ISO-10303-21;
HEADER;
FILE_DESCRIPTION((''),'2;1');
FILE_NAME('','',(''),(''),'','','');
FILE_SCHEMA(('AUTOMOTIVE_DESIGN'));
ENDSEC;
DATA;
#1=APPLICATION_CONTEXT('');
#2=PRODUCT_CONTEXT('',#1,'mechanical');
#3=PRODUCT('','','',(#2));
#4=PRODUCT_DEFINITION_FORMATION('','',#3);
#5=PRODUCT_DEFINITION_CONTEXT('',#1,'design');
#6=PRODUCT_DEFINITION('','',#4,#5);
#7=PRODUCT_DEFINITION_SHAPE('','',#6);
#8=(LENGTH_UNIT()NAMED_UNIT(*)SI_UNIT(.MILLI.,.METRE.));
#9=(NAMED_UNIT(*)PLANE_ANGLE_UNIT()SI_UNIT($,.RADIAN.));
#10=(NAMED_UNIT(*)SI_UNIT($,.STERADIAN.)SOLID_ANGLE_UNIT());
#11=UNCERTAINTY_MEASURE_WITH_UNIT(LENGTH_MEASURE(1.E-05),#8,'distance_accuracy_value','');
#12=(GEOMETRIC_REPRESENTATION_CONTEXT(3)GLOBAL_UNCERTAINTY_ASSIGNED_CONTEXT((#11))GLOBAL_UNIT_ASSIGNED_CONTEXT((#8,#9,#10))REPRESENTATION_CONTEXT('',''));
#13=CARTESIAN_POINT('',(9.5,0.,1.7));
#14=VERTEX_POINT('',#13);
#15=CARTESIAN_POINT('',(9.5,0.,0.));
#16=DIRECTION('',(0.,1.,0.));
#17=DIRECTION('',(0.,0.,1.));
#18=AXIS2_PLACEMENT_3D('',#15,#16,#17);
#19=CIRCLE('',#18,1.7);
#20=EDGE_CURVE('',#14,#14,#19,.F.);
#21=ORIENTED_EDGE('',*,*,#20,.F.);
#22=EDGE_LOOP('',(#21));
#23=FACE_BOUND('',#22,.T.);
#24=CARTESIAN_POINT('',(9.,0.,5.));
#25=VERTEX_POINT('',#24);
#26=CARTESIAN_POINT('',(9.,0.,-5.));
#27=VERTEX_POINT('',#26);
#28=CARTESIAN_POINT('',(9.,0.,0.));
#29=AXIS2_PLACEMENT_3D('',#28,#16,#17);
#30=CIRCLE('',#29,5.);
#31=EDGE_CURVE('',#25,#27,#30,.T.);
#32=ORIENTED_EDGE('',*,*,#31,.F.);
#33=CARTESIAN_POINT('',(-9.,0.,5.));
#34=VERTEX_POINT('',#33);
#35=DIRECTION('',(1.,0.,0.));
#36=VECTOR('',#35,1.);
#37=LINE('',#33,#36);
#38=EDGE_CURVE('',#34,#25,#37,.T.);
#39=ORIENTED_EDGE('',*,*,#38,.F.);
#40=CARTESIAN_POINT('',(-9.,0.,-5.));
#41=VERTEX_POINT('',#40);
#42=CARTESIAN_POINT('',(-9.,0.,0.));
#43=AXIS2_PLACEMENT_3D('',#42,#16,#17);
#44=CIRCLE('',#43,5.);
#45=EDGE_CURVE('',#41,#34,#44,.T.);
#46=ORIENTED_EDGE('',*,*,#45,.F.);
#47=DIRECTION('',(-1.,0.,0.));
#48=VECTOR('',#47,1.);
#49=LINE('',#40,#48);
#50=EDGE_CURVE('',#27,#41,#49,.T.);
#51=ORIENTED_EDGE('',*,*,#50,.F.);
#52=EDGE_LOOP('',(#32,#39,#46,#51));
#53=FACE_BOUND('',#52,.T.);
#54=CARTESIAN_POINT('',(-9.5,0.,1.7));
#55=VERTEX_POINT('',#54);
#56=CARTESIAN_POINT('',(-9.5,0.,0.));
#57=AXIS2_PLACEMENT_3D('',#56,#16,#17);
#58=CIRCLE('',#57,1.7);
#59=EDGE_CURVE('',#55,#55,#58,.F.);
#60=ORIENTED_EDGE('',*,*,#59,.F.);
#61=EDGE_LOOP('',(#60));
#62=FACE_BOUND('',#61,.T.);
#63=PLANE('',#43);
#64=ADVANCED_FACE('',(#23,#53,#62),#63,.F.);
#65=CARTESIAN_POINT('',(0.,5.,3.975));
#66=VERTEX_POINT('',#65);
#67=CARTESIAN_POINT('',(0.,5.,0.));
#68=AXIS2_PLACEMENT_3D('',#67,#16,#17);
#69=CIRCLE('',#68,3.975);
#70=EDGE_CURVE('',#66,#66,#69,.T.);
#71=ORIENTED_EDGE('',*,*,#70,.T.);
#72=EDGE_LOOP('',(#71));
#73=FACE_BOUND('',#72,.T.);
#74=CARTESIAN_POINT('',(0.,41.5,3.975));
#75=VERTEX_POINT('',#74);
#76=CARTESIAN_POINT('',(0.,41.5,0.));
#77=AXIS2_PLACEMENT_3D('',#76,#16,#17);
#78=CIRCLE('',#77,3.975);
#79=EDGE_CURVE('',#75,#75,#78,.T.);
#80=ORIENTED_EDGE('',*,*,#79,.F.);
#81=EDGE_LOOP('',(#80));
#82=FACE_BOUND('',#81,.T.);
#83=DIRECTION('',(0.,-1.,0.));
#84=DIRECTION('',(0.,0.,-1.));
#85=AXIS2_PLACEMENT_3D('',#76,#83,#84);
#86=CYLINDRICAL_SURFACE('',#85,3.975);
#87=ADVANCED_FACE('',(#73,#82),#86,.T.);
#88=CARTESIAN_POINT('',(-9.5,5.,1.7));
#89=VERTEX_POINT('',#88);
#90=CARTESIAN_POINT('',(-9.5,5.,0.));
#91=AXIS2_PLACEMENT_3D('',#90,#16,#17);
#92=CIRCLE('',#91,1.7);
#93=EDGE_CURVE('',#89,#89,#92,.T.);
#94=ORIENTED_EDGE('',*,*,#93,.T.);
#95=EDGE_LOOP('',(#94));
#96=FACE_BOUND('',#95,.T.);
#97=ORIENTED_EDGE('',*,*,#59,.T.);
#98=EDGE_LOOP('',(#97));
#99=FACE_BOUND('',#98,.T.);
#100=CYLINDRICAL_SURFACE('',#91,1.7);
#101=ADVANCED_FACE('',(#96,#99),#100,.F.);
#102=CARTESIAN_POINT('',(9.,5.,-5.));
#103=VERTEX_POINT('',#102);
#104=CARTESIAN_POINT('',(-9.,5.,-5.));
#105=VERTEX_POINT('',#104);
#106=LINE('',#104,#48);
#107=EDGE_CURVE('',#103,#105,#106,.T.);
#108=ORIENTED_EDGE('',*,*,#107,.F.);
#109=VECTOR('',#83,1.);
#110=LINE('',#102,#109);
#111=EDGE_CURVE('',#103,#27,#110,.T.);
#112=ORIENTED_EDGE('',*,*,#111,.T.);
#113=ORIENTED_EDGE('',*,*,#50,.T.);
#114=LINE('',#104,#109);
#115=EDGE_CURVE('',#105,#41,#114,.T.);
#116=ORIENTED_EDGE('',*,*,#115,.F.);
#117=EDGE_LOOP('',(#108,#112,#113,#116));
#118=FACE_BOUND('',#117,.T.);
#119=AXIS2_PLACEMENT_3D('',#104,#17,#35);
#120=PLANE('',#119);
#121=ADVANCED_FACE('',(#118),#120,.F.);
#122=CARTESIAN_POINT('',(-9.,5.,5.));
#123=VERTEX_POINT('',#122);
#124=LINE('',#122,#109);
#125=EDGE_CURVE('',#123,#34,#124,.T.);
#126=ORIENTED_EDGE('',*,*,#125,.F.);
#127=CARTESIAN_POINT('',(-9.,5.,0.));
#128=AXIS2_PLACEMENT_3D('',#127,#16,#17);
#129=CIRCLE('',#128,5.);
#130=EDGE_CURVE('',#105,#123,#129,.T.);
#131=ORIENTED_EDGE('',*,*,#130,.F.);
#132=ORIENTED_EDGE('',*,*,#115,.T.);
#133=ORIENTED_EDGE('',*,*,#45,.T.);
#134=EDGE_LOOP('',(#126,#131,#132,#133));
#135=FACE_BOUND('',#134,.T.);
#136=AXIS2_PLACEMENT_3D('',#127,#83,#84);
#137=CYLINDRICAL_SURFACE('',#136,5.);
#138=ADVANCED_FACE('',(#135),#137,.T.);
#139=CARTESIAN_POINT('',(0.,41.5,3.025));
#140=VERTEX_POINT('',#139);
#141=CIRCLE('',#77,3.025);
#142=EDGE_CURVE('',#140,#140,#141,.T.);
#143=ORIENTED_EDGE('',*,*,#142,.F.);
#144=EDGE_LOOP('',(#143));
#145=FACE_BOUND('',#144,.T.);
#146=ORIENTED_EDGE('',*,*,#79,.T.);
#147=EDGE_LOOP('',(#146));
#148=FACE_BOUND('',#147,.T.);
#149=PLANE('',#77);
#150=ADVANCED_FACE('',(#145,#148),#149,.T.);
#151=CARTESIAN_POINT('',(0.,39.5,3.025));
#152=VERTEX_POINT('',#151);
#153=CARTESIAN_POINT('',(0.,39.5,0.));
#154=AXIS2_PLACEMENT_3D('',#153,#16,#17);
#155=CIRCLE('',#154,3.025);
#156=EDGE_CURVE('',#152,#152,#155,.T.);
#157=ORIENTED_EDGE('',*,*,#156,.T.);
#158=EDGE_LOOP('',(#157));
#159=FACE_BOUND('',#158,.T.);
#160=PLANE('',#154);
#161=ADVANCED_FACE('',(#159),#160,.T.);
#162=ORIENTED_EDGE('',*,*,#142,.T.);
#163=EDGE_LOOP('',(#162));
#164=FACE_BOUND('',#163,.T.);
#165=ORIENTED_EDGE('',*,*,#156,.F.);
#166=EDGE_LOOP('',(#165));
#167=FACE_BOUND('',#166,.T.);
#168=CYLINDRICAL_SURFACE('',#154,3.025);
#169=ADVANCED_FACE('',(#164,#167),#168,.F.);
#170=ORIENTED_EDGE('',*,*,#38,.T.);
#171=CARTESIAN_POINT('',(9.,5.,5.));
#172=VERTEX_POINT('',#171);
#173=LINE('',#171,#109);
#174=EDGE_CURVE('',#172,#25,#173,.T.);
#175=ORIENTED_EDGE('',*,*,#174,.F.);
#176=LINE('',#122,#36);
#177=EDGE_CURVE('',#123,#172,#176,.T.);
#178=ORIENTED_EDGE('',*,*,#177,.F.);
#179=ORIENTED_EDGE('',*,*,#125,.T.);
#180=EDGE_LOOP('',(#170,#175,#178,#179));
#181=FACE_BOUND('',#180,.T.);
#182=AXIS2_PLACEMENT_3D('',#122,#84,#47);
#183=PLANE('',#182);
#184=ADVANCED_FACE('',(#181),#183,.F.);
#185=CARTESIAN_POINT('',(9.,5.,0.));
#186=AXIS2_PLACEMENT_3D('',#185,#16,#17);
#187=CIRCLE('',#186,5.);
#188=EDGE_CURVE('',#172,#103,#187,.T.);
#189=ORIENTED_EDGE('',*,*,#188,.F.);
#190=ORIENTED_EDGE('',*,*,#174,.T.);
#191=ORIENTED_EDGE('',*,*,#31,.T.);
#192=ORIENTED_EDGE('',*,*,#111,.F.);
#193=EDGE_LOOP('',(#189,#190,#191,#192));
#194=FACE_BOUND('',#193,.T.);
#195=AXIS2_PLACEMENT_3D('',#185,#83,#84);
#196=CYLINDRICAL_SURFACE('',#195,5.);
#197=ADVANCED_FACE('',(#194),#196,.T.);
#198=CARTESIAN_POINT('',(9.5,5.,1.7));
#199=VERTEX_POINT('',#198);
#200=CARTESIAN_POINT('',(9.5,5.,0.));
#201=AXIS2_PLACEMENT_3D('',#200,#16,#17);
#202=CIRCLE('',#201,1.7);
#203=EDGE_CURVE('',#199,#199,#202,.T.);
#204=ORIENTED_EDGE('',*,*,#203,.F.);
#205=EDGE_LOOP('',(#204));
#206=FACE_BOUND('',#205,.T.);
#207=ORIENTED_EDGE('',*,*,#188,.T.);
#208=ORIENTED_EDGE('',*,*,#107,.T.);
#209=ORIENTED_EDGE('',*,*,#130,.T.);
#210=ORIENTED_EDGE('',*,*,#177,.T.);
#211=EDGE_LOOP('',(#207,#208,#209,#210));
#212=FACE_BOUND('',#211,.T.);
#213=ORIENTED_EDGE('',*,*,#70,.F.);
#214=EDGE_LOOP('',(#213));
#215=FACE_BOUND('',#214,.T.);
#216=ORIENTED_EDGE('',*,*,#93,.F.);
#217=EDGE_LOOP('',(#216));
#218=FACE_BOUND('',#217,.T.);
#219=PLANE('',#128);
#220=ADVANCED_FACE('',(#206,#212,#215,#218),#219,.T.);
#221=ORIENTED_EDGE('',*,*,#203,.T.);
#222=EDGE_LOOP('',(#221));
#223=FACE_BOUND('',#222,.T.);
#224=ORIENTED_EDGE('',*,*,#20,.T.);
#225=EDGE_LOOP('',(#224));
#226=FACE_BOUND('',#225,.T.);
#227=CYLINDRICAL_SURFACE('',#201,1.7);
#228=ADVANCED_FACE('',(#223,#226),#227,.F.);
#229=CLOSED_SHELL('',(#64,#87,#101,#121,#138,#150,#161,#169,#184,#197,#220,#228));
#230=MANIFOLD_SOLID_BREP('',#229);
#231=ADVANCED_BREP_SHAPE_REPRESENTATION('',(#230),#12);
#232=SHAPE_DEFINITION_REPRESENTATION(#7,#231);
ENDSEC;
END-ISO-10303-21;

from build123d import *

# Parameters (mm, degrees)
BOSS_EXTRUDE1_DEPTH      = 5
M3_CLEARANCE_HOLE1_D     = 3.4
M3_CLEARANCE_HOLE1_DEPTH = 5
M3_CLEARANCE_HOLE1_TIP   = 1.021463052
SKETCH4_R                = 3.975
BOSS_EXTRUDE2_DEPTH      = 36.5
SKETCH5_R                = 3.025
CUT_EXTRUDE1_DEPTH       = 2


with BuildPart() as part:
    # Sketch1 → Boss-Extrude1 (new body)
    with BuildSketch(Plane(origin=(0, 0, 0), x_dir=(1, 0, 0), z_dir=(0, 1, 0))):
        with BuildLine():
            Line((-9, 5), (9, 5))
            ThreePointArc((9, 5), (14, 0), (9, -5))
            Line((9, -5), (-9, -5))
            ThreePointArc((-9, -5), (-14, 0), (-9, 5))
        make_face()
    extrude(amount=BOSS_EXTRUDE1_DEPTH)

    # M3 Clearance Hole1
    with Locations(Plane(origin=(0, 5, 0), x_dir=(1, 0, 0), z_dir=(0, 1, 0))):
        with Locations((-9.5, 0), (9.5, 0)):
            Hole(M3_CLEARANCE_HOLE1_D / 2, depth=M3_CLEARANCE_HOLE1_DEPTH)
            with Locations((0, 0, -(M3_CLEARANCE_HOLE1_DEPTH + M3_CLEARANCE_HOLE1_TIP / 2))):  # 118° drill point
                Cone(0, M3_CLEARANCE_HOLE1_D / 2, M3_CLEARANCE_HOLE1_TIP, mode=Mode.SUBTRACT)

    # Sketch4 → Boss-Extrude2 (add)
    with BuildSketch(Plane(origin=(0, 5, 0), x_dir=(1, 0, 0), z_dir=(0, 1, 0))):
        Circle(SKETCH4_R)
    extrude(amount=BOSS_EXTRUDE2_DEPTH)

    # Sketch5 → Cut-Extrude1 (cut)
    with BuildSketch(Plane(origin=(0, 41.5, 0), x_dir=(1, 0, 0), z_dir=(0, 1, 0))):
        Circle(SKETCH5_R)
    extrude(amount=-CUT_EXTRUDE1_DEPTH, mode=Mode.SUBTRACT)


solid = part.part
